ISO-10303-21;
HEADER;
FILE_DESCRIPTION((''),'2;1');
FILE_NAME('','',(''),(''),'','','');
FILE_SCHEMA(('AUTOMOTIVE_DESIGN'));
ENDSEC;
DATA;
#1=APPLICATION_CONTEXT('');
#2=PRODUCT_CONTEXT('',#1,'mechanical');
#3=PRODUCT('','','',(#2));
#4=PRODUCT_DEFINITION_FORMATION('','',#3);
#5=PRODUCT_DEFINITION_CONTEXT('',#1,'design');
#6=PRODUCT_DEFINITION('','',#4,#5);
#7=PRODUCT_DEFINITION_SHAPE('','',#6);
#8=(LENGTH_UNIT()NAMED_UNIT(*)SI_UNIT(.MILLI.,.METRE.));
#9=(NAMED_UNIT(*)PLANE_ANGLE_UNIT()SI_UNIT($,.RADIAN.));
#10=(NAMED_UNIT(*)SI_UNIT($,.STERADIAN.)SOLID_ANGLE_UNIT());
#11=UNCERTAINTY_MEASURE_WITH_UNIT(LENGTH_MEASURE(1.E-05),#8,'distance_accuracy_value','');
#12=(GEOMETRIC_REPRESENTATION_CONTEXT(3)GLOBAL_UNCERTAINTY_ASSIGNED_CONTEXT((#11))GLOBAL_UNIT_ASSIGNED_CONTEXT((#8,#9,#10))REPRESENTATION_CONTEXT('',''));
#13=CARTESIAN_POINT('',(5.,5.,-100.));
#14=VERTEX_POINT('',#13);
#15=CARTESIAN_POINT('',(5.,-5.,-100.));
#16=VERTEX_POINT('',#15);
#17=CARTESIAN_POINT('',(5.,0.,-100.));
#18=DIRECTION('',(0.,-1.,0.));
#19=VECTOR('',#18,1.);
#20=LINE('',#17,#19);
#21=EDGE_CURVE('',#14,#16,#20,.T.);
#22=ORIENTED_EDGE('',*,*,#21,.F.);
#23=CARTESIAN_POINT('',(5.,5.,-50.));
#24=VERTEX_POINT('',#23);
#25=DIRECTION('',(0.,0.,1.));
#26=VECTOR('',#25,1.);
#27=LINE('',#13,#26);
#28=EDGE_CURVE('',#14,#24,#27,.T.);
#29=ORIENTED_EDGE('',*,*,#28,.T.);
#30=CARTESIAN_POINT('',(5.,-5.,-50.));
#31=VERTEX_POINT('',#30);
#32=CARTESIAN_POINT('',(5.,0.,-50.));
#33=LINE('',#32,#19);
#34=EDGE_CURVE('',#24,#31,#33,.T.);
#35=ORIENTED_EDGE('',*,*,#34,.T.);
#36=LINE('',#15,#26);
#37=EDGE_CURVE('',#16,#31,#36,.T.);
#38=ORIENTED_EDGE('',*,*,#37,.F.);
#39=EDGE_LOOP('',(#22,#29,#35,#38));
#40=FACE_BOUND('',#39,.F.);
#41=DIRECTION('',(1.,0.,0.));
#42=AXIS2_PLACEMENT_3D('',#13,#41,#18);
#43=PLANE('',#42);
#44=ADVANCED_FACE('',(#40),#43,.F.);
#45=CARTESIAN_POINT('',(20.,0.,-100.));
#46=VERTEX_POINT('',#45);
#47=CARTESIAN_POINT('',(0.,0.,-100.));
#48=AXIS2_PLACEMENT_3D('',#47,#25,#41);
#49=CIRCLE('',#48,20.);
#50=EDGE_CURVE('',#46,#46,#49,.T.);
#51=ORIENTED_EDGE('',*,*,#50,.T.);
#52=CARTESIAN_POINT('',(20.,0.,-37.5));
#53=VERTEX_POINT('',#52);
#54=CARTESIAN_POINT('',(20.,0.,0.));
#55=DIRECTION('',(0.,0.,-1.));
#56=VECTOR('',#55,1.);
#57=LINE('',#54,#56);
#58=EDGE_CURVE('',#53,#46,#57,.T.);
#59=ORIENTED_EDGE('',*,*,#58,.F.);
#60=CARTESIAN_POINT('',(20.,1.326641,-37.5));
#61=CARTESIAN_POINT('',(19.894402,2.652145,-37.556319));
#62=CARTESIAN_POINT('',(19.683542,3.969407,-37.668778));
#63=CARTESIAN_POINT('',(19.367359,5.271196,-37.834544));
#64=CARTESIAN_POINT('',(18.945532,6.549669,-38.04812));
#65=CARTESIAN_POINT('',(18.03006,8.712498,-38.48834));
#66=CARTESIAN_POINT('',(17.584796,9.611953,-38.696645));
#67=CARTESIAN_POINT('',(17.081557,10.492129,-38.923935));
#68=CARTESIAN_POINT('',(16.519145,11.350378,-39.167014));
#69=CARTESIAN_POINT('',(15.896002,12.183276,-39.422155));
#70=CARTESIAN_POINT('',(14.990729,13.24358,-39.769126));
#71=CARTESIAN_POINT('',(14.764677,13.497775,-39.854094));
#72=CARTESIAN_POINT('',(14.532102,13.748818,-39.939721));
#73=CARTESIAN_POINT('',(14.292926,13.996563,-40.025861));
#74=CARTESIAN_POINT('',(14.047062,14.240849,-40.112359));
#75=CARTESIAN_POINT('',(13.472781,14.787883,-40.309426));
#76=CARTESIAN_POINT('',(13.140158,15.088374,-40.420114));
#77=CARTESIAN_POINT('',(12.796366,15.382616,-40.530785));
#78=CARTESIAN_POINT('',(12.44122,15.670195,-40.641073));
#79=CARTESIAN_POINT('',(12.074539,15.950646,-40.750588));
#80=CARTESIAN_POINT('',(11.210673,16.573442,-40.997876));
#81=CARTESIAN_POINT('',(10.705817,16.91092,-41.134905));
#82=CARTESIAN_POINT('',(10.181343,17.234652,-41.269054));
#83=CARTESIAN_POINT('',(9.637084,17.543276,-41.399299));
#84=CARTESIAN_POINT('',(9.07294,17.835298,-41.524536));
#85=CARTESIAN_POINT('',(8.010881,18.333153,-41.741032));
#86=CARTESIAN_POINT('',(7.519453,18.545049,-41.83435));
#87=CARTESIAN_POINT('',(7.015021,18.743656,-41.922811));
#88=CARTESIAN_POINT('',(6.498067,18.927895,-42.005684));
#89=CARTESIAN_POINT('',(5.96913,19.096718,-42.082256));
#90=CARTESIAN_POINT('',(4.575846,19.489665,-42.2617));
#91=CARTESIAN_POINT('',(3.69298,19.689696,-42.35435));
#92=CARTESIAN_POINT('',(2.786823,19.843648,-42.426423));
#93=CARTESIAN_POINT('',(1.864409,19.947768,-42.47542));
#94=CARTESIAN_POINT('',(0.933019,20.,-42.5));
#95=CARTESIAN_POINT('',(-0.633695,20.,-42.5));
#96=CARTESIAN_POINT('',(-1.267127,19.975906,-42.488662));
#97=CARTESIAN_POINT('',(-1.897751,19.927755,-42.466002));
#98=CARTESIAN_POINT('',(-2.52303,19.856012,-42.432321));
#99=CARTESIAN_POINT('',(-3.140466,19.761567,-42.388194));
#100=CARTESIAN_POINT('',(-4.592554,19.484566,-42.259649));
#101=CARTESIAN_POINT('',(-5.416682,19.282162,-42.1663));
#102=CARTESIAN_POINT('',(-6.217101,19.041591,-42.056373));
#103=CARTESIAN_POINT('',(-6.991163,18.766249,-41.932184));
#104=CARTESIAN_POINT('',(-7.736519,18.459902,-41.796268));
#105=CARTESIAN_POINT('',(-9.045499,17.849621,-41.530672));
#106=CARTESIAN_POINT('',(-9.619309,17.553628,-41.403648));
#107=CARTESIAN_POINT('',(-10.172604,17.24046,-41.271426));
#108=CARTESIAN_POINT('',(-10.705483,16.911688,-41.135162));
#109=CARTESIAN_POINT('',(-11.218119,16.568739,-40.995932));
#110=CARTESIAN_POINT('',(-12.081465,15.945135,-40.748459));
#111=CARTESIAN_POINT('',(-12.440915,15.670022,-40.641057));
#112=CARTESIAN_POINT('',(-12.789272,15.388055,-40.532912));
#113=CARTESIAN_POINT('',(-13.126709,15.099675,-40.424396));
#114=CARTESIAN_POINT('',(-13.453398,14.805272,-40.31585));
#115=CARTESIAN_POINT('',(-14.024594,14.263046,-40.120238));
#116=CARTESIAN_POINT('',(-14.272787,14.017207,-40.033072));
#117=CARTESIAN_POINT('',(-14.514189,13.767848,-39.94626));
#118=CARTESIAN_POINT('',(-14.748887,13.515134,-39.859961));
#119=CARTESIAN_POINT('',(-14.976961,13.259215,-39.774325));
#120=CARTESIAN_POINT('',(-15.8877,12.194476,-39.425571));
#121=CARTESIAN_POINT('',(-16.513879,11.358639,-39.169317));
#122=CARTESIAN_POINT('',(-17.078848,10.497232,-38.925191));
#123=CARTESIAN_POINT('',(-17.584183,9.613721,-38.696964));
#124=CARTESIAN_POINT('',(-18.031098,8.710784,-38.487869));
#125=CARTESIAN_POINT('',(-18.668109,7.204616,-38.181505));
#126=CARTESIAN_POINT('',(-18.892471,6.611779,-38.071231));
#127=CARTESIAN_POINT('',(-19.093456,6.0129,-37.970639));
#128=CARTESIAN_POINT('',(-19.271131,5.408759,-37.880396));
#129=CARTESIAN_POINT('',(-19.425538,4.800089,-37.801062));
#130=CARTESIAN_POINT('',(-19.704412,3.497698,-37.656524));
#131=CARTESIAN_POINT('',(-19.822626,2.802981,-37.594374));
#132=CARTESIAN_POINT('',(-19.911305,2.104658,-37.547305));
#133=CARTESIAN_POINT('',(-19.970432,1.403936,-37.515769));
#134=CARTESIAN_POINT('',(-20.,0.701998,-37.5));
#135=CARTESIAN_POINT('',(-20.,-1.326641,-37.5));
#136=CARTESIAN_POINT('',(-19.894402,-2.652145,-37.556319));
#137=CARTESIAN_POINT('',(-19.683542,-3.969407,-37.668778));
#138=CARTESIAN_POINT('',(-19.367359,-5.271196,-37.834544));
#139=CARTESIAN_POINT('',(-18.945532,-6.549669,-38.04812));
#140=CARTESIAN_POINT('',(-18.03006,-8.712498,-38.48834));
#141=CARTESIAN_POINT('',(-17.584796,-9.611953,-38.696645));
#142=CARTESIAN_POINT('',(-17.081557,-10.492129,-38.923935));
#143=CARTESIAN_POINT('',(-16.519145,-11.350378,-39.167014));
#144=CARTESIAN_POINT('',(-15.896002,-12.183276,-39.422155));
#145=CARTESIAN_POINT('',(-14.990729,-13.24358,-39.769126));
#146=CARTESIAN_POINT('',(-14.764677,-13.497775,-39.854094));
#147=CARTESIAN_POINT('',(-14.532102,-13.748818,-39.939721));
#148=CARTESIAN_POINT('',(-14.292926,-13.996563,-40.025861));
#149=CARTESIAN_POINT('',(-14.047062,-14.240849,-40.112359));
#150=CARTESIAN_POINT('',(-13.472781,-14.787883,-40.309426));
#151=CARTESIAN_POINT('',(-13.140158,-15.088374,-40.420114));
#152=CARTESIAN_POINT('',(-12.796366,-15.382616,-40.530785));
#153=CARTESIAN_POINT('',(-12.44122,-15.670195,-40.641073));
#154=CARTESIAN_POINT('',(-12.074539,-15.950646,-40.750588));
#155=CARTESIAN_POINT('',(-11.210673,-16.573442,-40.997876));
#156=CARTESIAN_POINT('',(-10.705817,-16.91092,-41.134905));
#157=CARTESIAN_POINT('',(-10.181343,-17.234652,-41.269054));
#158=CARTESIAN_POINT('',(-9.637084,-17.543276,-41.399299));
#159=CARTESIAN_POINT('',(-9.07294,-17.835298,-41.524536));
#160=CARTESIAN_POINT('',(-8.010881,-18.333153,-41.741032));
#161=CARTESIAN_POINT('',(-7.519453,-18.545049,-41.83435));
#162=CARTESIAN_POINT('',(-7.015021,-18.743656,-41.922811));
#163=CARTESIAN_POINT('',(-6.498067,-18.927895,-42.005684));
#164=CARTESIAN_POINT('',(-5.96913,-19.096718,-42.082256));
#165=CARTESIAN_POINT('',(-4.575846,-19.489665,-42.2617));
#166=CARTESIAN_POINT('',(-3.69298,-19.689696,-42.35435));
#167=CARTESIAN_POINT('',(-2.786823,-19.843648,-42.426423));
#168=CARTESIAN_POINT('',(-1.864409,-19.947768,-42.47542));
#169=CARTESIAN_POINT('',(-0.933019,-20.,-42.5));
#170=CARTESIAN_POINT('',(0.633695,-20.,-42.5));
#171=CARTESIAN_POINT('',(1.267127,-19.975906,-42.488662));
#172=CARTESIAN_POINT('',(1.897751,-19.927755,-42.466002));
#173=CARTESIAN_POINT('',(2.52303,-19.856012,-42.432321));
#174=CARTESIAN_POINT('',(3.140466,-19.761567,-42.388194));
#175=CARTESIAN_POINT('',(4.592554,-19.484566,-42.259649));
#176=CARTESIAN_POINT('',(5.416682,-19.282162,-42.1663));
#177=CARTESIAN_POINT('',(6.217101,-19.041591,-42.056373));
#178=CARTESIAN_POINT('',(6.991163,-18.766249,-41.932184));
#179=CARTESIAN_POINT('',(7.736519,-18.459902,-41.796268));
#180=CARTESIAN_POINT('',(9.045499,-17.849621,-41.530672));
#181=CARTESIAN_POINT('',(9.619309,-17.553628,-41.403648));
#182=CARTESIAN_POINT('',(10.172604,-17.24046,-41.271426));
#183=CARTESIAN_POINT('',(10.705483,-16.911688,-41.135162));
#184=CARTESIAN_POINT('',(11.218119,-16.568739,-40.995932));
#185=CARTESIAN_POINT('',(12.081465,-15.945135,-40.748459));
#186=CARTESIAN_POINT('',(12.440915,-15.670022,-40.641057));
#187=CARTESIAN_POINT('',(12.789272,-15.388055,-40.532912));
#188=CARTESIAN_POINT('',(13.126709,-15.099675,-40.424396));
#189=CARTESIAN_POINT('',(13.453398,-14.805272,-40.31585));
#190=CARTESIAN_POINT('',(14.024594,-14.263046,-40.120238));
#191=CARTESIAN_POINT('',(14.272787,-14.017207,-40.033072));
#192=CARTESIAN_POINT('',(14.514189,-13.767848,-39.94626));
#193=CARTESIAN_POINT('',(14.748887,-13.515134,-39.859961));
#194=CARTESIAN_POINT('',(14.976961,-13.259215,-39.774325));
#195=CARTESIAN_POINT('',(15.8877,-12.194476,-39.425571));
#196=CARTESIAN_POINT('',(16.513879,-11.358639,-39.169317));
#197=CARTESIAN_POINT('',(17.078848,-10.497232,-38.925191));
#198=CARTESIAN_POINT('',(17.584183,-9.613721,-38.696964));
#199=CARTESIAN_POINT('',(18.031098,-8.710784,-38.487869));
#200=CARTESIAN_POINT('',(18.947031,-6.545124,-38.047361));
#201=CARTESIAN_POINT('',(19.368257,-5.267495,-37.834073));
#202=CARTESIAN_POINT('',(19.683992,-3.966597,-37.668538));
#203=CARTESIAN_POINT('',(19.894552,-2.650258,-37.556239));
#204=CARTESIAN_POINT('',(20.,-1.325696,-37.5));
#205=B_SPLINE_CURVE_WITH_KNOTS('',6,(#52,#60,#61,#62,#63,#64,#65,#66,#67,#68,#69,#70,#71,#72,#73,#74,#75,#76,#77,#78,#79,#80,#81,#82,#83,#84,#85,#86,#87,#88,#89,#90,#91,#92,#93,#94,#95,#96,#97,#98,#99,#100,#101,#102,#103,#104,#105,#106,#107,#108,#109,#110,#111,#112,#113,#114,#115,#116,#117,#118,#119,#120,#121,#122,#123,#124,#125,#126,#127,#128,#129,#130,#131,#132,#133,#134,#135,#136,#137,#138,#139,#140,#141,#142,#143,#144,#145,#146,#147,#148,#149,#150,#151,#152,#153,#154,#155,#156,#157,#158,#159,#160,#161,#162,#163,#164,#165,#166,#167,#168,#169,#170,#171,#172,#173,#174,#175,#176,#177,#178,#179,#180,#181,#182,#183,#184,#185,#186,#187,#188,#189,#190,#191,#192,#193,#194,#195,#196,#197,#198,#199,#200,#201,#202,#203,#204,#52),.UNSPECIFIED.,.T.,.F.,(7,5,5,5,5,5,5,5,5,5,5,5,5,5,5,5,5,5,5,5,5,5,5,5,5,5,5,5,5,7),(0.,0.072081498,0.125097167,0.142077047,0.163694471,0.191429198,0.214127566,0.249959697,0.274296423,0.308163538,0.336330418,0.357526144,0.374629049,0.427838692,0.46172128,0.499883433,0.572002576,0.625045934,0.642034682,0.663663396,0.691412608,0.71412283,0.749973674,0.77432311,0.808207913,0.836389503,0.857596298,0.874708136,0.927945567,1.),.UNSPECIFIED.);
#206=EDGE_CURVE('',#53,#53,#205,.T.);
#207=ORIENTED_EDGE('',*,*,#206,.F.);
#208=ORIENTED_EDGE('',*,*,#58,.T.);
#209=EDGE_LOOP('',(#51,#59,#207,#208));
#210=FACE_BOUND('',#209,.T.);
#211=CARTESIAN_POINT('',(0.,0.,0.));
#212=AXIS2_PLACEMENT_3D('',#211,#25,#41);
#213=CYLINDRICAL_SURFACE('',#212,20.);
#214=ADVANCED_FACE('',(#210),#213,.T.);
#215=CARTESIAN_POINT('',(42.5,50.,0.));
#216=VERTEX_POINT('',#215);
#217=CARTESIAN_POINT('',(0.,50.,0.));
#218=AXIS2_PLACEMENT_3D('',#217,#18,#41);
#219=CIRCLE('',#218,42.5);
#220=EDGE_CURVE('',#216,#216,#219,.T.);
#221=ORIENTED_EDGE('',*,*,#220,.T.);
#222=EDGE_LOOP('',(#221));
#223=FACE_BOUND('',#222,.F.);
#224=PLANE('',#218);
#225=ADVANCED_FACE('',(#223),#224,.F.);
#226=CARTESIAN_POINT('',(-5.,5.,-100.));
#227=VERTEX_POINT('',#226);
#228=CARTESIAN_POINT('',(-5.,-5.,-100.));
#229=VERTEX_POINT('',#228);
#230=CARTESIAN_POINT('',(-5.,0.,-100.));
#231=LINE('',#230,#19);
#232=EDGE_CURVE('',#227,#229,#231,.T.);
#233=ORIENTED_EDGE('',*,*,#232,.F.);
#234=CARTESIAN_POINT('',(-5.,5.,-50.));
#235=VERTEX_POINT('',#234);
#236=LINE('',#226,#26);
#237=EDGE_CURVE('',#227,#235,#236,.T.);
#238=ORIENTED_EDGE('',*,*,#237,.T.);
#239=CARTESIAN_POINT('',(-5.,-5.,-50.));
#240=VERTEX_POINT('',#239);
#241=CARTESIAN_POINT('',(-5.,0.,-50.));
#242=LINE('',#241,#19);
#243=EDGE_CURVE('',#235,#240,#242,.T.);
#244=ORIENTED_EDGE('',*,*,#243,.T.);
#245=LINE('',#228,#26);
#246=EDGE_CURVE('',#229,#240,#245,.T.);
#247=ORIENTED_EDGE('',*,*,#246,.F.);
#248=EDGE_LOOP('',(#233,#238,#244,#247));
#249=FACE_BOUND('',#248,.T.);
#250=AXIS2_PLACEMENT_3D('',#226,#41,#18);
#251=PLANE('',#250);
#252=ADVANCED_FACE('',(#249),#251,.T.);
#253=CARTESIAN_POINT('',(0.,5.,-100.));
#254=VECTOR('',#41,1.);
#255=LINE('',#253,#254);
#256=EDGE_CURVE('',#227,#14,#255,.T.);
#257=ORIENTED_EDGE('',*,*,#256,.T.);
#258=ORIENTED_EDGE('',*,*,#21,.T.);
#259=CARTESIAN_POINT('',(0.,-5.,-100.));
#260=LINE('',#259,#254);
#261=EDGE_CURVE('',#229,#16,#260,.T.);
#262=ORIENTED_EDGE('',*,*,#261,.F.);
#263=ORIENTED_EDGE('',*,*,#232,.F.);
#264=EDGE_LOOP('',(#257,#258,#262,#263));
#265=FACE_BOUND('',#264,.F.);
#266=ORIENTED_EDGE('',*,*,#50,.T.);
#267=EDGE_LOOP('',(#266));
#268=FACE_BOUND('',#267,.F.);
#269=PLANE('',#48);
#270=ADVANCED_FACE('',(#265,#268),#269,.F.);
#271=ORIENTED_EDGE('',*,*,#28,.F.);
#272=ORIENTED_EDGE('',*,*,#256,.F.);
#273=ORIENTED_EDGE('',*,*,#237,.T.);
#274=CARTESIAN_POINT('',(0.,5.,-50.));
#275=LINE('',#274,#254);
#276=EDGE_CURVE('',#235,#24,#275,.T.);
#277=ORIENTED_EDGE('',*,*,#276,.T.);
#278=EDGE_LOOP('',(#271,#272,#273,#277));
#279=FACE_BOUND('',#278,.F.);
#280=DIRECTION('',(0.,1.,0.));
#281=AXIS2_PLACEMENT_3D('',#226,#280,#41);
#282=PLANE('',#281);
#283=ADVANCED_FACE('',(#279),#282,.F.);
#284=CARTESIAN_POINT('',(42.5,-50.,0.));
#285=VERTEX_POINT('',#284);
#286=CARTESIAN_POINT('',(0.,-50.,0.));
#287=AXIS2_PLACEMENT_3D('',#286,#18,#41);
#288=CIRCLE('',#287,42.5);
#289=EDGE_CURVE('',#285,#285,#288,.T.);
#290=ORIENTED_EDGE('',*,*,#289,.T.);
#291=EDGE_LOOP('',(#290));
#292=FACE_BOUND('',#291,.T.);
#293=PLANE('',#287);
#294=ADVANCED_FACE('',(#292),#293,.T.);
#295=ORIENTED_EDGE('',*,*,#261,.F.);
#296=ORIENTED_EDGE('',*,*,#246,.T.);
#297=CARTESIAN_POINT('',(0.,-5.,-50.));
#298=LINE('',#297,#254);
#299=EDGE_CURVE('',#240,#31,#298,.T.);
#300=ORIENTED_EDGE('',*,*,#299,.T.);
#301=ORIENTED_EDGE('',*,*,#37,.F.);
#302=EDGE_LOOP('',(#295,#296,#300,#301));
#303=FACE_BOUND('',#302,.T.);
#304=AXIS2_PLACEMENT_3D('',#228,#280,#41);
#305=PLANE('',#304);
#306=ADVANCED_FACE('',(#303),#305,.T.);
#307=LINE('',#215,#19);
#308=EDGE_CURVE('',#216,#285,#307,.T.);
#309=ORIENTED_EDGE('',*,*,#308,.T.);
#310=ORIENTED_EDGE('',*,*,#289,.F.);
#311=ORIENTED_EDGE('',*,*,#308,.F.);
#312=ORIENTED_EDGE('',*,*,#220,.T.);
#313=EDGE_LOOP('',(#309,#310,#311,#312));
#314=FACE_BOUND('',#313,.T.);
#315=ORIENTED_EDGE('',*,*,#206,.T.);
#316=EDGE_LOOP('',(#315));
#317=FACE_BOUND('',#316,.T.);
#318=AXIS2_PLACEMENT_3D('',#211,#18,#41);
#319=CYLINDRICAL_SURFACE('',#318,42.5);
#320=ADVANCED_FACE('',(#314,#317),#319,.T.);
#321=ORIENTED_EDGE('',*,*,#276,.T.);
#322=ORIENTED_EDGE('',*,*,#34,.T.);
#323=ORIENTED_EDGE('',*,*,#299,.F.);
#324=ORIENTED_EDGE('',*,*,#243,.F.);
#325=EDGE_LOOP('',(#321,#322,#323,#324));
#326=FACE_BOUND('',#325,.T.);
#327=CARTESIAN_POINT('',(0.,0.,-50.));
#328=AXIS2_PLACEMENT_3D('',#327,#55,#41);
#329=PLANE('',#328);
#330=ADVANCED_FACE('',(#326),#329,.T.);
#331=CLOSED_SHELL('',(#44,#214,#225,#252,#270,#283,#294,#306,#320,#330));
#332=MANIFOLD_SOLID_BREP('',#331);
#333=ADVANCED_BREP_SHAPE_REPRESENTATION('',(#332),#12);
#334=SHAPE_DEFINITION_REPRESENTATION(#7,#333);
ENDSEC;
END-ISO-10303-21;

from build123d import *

# Parameters (mm, degrees)
F0_R     = 42.5
F1_DEPTH = 50
F2_R     = 20
F3_DEPTH = 100
F4_W     = 10
F4_H     = 10
F5_DEPTH = 50


with BuildPart() as f1:
    # F0 (on Front) → F1 (new body, symmetric)
    with BuildSketch(Plane.XZ):
        Circle(F0_R)
    extrude(amount=F1_DEPTH, both=True)

    # F2 (on Top) → F3 (join)
    with BuildSketch(Plane.XY):
        Circle(F2_R)
    extrude(amount=-F3_DEPTH)

    # F4 (on face) → F5 (cut)
    with BuildSketch(Plane(origin=(0, 0, -100), x_dir=(1, 0, 0), z_dir=(0, 0, -1))):
        Rectangle(F4_W, F4_H)
    extrude(amount=-F5_DEPTH, mode=Mode.SUBTRACT)


solid = f1.part
